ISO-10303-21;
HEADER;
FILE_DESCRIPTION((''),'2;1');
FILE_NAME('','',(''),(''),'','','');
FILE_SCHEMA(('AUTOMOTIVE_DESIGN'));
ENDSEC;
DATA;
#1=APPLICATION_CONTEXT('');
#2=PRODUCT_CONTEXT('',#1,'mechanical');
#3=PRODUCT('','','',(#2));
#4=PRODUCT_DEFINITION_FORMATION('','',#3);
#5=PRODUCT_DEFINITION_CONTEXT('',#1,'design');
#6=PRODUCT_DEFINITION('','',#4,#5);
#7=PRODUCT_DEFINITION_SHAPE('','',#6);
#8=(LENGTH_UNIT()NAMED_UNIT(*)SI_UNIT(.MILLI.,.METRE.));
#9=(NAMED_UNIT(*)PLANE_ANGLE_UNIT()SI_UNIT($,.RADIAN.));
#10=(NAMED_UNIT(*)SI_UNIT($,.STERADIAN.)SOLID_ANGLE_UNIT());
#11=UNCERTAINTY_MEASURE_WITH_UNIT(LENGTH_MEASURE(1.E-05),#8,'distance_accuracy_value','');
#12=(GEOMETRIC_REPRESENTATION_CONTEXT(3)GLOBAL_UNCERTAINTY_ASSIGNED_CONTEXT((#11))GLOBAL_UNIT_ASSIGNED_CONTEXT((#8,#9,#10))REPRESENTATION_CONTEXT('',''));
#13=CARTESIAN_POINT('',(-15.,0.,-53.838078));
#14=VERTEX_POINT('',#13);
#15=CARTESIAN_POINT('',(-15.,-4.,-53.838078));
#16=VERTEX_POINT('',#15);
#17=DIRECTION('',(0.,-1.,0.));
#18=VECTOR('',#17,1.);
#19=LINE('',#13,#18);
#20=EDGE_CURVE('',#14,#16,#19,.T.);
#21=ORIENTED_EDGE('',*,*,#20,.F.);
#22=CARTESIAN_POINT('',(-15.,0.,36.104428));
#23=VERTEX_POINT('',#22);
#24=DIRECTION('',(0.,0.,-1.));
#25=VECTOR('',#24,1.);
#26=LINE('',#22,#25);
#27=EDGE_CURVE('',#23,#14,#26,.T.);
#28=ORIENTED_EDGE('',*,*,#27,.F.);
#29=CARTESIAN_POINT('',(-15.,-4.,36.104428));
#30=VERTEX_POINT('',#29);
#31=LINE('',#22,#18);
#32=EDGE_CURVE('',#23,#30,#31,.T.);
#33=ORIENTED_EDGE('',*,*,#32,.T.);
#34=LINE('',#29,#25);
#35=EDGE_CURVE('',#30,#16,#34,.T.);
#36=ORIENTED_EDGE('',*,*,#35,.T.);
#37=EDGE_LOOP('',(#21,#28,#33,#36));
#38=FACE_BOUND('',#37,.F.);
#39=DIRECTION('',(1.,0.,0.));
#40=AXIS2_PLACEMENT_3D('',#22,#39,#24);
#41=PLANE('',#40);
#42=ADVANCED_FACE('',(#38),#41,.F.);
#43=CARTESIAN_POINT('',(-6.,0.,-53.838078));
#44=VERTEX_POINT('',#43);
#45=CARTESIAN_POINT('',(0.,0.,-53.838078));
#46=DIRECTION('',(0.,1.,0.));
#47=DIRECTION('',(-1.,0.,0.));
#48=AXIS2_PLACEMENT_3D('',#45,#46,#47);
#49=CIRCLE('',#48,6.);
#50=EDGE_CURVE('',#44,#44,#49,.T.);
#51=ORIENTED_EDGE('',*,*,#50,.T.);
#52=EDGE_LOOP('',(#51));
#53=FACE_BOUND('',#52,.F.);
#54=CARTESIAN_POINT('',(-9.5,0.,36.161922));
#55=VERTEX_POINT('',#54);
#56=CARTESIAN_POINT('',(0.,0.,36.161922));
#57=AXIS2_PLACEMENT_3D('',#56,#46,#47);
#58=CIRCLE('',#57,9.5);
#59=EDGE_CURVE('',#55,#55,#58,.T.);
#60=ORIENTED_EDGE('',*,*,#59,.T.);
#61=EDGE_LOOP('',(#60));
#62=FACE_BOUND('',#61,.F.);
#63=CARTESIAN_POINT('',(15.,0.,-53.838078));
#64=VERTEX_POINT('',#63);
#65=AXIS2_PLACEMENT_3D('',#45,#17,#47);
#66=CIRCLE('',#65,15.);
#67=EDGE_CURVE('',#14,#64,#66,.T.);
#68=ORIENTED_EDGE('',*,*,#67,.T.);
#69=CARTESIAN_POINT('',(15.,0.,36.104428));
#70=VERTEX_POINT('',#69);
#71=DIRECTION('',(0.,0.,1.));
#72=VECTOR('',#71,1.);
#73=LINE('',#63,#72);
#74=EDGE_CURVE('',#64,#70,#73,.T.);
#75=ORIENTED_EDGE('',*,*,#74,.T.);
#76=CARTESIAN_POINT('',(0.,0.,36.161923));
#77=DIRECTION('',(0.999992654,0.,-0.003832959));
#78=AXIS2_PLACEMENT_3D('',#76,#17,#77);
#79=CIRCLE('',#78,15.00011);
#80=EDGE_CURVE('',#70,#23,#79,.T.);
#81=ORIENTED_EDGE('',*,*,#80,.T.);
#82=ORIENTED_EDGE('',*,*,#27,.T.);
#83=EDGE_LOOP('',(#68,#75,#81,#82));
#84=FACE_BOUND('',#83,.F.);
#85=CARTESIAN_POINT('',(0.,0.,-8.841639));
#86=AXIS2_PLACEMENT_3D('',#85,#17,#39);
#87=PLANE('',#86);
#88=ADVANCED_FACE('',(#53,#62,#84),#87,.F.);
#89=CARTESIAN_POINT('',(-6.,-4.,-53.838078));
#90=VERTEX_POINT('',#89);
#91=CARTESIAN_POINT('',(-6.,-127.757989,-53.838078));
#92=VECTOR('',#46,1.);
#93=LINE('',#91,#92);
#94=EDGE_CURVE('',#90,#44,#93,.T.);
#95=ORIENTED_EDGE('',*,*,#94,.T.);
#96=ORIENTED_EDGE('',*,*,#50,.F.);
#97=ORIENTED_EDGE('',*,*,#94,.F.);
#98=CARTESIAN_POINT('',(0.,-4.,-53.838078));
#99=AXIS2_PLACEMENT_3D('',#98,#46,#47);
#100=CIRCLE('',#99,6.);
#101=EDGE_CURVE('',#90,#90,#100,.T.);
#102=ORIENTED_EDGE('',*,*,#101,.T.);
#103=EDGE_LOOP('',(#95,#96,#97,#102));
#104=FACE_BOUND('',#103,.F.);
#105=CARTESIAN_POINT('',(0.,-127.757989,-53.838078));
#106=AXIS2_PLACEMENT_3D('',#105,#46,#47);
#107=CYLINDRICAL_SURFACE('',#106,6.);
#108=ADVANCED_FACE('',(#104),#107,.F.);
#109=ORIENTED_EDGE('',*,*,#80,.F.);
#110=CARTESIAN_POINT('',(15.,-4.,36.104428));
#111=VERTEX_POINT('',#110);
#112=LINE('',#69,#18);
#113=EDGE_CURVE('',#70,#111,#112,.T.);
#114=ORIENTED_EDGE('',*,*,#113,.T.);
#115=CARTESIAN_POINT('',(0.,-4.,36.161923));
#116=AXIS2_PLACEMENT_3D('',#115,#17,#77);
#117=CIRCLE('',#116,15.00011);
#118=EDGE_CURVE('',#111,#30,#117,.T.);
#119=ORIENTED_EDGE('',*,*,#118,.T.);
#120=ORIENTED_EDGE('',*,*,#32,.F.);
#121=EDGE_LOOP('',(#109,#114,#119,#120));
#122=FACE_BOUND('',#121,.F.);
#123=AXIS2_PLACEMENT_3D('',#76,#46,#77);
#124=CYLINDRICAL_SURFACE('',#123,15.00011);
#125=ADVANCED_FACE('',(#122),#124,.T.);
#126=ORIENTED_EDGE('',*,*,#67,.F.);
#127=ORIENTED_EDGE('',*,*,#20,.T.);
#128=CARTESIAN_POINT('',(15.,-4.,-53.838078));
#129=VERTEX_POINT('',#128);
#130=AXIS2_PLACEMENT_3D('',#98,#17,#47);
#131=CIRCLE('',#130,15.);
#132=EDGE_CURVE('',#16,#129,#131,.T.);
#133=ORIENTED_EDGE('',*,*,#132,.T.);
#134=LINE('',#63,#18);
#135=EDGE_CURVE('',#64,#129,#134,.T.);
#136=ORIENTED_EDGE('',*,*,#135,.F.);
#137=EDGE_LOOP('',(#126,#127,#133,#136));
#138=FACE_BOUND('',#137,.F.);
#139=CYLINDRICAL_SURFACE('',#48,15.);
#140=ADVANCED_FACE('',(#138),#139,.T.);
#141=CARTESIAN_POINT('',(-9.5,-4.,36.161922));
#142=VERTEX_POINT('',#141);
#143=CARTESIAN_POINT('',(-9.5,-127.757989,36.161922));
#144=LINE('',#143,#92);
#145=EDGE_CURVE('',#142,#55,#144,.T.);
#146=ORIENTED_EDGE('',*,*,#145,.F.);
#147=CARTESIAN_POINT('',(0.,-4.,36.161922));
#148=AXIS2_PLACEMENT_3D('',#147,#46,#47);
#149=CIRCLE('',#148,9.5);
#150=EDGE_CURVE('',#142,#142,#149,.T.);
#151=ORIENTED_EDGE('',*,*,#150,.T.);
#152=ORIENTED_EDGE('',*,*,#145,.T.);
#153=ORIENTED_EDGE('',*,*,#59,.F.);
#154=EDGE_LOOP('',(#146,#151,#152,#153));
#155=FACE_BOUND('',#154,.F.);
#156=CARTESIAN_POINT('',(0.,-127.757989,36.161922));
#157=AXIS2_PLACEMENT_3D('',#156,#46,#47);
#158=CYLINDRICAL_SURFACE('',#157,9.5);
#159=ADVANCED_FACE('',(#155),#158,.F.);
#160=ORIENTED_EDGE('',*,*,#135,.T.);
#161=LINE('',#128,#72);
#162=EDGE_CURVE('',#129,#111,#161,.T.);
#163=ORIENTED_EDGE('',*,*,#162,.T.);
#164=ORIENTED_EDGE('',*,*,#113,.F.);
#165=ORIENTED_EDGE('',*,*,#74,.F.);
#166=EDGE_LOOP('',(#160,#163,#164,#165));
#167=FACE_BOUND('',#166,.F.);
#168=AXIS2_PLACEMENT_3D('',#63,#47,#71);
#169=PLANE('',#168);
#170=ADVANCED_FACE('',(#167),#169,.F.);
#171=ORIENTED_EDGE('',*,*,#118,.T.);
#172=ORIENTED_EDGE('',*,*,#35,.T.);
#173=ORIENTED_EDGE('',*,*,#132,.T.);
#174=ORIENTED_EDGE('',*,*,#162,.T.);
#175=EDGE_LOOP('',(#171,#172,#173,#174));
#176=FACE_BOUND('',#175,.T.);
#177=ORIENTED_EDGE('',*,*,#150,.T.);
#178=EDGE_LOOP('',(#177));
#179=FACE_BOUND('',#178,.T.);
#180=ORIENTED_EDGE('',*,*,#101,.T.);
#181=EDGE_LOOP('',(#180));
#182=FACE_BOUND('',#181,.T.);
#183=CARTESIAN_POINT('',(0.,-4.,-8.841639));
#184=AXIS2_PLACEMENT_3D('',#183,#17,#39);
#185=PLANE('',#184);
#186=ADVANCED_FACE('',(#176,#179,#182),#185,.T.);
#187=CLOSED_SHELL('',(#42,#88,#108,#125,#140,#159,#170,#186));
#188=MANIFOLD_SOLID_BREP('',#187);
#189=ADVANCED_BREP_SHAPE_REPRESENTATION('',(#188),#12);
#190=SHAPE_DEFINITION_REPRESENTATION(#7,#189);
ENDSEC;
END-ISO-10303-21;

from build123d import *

# Parameters (mm, degrees)
F1_DEPTH = 4
F3_D     = 19
F4_D     = 12


with BuildPart() as f1:
    # F0 (on Front) → F1 (new body)
    with BuildSketch(Plane.XZ):
        with BuildLine():
            Line((15, -53.838078), (15, 36.104428))
            ThreePointArc((15, 36.104428), (0, 51.162033), (-15, 36.104428))
            Line((-15, 36.104428), (-15, -53.838078))
            ThreePointArc((-15, -53.838078), (0, -68.838078), (15, -53.838078))
        make_face()
    extrude(amount=F1_DEPTH)

    # F3 (through all)
    with Locations(Plane.XZ.offset(4)):
        with Locations((0, 36.161922)):
            Hole(F3_D / 2)

    # F4 (through all)
    with Locations(Plane.XZ.offset(4)):
        with Locations((0, -53.838078)):
            Hole(F4_D / 2)


solid = f1.part
